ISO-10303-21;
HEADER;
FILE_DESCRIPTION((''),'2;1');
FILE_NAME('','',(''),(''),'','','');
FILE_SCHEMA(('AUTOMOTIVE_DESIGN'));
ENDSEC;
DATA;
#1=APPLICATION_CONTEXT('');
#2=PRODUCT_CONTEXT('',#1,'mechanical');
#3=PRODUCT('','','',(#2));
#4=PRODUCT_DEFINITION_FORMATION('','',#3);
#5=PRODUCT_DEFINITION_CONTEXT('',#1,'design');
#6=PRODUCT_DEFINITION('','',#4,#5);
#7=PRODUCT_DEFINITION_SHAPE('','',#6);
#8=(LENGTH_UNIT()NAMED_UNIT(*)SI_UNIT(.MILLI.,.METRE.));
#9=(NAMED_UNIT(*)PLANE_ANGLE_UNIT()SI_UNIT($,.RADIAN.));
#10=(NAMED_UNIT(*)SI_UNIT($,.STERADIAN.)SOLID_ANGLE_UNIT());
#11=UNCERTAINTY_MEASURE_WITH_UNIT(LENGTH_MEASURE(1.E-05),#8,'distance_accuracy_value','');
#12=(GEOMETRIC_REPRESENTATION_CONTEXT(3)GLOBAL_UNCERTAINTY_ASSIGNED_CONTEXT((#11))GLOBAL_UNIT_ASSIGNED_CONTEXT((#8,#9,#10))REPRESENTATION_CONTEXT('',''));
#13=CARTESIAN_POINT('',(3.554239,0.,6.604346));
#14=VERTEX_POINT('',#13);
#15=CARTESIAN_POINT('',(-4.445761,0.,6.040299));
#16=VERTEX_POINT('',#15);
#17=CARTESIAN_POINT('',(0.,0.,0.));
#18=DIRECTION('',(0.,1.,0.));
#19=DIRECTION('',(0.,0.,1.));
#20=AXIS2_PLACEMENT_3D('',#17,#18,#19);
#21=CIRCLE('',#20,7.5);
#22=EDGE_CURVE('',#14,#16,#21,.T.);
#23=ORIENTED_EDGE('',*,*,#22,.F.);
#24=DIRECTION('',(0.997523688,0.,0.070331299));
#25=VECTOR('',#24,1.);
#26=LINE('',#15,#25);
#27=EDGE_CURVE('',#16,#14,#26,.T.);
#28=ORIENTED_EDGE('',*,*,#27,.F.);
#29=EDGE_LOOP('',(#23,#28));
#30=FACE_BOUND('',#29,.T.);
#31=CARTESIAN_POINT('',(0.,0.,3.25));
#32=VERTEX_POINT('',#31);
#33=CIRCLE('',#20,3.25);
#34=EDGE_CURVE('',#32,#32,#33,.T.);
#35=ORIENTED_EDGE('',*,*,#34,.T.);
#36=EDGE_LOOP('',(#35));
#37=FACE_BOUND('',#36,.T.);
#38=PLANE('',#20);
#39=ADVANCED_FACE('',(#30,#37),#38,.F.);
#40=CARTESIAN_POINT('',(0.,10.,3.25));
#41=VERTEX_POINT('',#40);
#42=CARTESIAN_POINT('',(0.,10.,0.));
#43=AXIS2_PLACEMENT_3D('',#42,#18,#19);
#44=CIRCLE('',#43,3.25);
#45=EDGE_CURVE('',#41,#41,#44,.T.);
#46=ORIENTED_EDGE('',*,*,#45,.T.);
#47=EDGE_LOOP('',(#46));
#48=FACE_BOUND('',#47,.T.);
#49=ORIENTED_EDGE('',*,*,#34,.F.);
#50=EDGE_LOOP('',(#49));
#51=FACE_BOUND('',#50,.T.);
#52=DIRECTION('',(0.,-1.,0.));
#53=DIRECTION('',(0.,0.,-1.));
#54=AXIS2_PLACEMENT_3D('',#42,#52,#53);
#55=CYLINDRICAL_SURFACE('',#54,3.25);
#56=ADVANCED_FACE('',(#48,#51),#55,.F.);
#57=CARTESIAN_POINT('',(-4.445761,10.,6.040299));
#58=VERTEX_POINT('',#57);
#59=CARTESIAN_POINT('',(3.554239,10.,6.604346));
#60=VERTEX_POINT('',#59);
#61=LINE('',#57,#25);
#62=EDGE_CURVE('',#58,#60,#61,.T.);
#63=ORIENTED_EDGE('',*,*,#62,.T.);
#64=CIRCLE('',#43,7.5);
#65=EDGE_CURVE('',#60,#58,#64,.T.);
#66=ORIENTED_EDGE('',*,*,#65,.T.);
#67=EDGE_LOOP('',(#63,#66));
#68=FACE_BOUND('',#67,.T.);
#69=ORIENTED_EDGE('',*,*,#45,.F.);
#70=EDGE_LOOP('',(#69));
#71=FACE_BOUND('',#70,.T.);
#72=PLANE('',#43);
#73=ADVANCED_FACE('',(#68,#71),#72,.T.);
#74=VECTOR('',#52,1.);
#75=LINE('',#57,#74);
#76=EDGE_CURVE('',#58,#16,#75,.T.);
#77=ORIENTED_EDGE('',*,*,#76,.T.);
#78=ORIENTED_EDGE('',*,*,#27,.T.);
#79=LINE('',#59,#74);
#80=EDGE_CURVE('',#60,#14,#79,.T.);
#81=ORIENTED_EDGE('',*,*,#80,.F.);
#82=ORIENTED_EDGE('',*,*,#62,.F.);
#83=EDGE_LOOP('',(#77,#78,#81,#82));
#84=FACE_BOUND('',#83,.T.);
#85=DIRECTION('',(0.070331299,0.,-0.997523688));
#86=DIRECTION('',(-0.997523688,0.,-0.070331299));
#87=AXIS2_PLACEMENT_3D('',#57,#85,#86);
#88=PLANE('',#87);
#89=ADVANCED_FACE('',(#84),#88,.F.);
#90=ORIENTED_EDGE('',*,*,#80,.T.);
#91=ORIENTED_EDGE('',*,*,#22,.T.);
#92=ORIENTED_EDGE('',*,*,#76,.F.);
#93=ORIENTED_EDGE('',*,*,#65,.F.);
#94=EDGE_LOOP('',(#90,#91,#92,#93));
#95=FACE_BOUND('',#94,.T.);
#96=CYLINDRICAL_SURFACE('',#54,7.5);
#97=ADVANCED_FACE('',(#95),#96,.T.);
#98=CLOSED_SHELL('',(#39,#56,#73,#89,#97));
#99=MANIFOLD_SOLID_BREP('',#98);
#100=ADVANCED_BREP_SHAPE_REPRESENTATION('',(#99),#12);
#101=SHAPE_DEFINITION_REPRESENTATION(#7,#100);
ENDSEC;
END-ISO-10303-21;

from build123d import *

# Parameters (mm, degrees)
SKETCH1_R           = 3.25
BOSS_EXTRUDE1_DEPTH = 10


with BuildPart() as part:
    # Sketch1 → Boss-Extrude1 (new body)
    with BuildSketch(Plane(origin=(0, 0, 0), x_dir=(1, 0, 0), z_dir=(0, 1, 0))):
        with BuildLine():
            Line((-4.445760987, -6.040298772), (3.554239013, -6.60434592))
            ThreePointArc((3.554239013, -6.60434592), (0.527484743, 7.481427661), (-4.445760987, -6.040298772))
        make_face()
        with Locations(Location((0, 0, 0), (0, 0, 270))):
            Circle(SKETCH1_R, mode=Mode.SUBTRACT)
    extrude(amount=BOSS_EXTRUDE1_DEPTH)


solid = part.part
